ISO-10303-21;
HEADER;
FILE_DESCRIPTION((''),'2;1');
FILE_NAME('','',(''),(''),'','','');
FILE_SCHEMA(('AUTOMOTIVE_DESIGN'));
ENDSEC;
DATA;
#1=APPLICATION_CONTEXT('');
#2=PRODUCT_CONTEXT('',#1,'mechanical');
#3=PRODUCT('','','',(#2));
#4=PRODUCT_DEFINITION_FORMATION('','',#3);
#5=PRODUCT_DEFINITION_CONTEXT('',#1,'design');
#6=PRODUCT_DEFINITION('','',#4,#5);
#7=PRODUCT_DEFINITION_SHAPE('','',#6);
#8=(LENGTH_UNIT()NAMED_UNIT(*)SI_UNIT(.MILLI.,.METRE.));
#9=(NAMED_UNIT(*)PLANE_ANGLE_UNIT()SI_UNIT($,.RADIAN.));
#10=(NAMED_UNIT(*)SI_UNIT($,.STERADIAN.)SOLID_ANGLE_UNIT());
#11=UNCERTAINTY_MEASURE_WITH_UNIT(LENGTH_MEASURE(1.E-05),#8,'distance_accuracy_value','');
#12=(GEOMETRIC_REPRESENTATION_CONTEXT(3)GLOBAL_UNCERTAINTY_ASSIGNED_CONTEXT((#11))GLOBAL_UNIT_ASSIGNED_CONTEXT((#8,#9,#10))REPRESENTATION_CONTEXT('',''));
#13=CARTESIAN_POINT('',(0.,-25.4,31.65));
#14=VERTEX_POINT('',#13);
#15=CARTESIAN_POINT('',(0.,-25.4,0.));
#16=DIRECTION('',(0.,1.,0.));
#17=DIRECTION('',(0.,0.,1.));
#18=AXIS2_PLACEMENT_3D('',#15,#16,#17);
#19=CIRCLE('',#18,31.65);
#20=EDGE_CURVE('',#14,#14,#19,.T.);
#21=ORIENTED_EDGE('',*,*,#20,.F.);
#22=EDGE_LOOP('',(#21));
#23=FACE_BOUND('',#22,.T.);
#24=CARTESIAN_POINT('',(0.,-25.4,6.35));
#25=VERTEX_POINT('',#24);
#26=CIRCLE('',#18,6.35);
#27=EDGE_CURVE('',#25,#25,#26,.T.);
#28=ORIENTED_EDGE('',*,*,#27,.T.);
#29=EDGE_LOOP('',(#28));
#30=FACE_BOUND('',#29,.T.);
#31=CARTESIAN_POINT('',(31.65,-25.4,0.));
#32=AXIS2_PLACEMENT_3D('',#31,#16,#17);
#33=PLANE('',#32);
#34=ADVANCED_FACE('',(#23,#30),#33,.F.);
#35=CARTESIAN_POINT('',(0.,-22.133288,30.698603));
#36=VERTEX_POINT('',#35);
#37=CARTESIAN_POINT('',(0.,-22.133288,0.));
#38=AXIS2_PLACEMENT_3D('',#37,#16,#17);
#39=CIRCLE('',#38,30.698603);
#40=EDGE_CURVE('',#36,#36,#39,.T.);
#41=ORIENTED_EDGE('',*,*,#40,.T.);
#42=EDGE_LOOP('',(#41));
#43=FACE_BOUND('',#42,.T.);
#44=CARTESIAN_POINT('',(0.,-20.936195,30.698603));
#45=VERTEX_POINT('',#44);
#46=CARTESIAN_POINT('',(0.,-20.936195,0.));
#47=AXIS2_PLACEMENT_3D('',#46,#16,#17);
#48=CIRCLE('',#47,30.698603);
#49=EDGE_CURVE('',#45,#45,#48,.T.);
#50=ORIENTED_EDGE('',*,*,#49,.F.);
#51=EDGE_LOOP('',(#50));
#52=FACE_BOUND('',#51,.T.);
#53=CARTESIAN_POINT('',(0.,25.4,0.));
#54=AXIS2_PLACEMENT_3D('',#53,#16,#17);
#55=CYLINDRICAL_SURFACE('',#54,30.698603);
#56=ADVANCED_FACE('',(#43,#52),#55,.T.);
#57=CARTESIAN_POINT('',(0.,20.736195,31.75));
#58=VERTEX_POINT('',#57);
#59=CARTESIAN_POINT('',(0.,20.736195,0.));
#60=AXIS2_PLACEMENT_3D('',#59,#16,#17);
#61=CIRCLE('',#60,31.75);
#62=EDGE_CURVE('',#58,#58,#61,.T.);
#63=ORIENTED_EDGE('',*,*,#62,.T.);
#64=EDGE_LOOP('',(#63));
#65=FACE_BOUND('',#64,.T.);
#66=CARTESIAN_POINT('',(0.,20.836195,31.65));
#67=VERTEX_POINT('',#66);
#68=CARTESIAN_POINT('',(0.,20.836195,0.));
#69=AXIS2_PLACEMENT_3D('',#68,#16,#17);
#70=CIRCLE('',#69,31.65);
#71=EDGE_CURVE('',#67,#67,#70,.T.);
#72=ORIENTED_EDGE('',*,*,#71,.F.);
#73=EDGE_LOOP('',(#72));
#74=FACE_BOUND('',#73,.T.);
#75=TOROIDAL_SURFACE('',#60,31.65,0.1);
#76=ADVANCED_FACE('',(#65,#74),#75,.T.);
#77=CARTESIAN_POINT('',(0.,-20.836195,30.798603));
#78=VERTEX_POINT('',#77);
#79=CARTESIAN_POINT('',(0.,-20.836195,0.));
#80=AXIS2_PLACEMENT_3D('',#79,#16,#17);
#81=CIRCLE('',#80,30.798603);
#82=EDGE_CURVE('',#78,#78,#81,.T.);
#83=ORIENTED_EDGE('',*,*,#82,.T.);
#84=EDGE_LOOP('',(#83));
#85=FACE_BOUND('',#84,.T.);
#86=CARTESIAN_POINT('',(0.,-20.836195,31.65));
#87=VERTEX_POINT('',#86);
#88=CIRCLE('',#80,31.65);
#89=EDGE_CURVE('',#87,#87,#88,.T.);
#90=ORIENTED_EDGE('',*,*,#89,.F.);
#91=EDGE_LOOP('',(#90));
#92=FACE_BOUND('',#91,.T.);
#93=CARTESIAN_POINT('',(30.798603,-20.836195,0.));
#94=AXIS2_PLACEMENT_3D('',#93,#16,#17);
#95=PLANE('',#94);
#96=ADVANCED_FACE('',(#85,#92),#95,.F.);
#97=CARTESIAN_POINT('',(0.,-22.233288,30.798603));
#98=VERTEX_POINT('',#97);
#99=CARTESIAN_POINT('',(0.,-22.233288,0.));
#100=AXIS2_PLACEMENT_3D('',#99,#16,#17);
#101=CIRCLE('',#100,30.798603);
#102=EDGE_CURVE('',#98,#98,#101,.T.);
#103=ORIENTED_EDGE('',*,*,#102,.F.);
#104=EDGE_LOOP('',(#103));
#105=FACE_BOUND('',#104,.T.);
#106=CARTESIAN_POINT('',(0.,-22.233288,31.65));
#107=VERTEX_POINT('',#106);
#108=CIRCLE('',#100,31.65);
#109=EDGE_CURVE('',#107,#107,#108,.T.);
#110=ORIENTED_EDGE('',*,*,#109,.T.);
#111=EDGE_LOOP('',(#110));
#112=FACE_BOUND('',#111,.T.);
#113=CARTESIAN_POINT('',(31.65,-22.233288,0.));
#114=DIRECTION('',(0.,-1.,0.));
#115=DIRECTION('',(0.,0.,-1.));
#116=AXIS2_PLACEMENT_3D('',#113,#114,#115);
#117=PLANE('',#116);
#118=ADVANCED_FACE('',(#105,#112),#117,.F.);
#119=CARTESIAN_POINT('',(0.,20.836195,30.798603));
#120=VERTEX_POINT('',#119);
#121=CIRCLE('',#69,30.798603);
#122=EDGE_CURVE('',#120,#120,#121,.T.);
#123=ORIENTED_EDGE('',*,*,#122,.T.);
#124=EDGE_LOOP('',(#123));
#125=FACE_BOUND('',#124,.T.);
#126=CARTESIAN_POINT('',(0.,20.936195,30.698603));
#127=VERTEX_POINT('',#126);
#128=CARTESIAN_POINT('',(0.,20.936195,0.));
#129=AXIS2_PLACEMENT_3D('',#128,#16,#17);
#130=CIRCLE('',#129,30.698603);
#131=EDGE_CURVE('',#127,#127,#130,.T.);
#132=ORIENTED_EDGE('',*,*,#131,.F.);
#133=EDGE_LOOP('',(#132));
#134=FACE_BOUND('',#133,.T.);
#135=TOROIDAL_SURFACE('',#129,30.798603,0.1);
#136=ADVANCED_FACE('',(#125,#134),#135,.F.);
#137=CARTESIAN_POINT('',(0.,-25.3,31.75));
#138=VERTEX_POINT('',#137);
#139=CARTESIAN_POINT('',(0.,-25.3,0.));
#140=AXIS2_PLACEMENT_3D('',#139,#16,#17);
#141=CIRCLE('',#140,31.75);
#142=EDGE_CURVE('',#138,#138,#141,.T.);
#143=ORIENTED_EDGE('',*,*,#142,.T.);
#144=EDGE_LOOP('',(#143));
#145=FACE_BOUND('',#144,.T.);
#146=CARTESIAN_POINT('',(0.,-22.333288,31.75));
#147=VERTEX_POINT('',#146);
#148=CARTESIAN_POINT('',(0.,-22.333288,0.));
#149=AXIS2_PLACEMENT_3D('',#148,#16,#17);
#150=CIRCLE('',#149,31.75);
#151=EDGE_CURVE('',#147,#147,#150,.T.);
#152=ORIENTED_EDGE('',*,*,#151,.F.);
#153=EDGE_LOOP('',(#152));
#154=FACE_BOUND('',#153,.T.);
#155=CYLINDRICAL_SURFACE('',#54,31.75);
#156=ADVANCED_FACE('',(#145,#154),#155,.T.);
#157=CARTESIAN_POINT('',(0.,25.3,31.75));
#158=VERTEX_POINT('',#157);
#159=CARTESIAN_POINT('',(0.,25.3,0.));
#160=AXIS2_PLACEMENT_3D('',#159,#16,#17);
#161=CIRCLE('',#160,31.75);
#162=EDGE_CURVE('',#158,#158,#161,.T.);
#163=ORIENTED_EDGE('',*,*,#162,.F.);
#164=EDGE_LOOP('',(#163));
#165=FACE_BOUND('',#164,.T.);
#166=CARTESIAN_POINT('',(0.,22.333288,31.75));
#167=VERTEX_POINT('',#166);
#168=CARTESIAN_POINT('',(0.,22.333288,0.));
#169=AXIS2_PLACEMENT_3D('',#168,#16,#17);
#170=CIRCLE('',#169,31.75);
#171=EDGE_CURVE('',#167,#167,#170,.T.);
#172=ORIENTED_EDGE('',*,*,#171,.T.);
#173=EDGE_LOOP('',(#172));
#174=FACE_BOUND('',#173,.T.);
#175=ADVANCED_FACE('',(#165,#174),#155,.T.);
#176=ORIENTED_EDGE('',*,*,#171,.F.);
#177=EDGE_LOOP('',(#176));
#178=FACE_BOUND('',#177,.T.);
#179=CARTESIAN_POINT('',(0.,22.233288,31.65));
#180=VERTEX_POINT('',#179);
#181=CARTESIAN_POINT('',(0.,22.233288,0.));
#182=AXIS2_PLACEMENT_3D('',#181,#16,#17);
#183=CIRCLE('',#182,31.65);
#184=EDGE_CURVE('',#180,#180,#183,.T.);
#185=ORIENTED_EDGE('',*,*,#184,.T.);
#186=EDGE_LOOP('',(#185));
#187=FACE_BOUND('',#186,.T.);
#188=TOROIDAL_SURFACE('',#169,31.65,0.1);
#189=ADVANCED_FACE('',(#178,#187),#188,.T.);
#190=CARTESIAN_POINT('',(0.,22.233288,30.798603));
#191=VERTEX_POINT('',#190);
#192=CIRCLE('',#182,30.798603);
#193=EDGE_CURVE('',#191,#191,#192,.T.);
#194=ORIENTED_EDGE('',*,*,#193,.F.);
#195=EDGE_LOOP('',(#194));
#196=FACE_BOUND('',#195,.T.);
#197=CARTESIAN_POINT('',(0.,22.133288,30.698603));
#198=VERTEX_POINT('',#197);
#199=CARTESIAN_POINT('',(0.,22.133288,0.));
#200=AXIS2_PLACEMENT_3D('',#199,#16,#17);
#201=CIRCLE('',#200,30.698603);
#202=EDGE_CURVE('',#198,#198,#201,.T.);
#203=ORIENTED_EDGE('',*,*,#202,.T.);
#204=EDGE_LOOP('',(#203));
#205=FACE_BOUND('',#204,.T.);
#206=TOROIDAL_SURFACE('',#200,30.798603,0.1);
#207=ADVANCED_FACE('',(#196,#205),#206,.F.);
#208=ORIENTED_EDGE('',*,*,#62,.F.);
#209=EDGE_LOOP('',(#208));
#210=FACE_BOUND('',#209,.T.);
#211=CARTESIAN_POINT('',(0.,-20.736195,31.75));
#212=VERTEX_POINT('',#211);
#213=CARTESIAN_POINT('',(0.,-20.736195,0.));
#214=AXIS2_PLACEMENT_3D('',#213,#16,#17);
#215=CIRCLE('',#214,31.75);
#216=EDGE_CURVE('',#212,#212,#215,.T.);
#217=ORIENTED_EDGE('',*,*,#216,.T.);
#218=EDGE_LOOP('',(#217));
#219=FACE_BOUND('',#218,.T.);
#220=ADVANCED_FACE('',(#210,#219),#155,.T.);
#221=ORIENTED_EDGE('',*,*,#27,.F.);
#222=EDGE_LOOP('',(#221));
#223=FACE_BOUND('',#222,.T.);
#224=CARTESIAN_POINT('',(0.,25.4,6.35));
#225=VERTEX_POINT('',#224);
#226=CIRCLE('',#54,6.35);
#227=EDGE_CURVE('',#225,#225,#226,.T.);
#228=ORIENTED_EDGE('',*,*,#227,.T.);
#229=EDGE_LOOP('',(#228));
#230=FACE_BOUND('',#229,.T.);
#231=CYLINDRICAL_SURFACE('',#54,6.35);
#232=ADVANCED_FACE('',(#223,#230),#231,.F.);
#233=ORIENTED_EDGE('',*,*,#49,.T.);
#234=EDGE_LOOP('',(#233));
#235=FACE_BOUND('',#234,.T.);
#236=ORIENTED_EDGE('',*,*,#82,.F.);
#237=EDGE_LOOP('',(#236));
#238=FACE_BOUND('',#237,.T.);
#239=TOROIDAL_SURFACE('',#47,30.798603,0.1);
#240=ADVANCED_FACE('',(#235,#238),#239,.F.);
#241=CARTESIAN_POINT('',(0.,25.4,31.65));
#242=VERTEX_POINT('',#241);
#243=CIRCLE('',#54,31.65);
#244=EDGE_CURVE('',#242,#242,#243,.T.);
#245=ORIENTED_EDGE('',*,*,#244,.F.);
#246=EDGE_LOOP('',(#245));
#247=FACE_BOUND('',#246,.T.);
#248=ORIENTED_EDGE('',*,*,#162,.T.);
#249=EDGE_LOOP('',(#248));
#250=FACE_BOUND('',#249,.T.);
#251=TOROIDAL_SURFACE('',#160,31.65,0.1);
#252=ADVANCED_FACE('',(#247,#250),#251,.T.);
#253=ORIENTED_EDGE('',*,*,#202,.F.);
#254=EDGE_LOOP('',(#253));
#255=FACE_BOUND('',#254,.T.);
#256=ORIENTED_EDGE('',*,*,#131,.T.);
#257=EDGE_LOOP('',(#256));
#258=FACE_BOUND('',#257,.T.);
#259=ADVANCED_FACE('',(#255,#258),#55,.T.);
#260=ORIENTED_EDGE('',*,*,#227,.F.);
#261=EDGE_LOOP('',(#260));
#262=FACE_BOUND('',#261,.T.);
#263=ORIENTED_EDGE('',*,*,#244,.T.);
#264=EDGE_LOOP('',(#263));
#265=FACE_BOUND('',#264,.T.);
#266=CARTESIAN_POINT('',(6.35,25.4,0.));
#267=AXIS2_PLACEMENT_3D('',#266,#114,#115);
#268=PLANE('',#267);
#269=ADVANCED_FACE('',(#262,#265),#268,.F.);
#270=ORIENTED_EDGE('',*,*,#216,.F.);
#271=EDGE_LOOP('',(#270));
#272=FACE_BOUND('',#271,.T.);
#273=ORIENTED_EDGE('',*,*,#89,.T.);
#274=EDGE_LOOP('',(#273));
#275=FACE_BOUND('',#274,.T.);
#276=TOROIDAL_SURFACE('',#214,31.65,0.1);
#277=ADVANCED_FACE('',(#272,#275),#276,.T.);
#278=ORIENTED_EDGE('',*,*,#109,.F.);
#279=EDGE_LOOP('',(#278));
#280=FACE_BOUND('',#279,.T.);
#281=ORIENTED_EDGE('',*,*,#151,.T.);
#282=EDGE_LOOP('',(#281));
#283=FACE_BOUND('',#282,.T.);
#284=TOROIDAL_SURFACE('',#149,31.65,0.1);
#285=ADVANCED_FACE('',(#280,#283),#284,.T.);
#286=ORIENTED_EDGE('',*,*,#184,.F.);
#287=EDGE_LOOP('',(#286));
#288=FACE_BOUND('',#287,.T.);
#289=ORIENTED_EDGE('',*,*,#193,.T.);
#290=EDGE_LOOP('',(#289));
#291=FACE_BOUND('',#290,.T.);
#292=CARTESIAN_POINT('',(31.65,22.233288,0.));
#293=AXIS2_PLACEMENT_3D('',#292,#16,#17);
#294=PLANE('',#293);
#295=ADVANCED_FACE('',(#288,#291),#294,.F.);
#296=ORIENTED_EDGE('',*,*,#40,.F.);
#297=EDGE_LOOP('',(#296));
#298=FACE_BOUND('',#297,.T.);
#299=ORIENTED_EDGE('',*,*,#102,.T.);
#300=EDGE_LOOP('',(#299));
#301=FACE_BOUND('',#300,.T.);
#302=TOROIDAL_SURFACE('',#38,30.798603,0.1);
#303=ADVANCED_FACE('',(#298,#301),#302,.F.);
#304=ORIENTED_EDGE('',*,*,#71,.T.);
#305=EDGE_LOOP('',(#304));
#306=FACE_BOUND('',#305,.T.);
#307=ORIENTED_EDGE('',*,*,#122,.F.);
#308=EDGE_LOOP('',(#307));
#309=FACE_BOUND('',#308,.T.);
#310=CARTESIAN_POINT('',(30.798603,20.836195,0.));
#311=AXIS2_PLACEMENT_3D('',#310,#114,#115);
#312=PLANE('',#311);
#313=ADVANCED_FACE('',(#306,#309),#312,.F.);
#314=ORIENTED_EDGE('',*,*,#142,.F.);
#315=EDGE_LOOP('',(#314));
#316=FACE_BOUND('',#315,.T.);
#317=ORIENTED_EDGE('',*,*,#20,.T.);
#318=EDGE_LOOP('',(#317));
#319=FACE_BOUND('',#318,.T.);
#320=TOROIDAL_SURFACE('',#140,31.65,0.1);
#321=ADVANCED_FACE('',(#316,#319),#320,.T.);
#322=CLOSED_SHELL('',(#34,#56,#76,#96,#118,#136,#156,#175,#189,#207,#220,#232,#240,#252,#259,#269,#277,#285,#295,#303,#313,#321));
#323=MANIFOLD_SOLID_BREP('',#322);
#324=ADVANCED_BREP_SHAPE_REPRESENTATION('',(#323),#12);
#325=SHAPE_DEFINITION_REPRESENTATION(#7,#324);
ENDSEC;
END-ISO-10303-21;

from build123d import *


with BuildPart() as part:
    # Croquis1 → Revolución1 (revolve)
    with BuildSketch(Plane.XY, mode=Mode.PRIVATE) as revoluci_n1_sk:
        with BuildLine():
            Line((6.35, 25.4), (6.35, -25.4))
            Line((6.35, -25.4), (31.65, -25.4))
            ThreePointArc((31.65, -25.4), (31.720710678, -25.370710678), (31.75, -25.3))
            Line((31.75, -25.3), (31.75, -22.33328768))
            ThreePointArc((31.75, -22.33328768), (31.720710678, -22.262577002), (31.65, -22.23328768))
            Line((31.65, -22.23328768), (30.798602544, -22.23328768))
            ThreePointArc((30.798602544, -22.23328768), (30.727891866, -22.203998358), (30.698602544, -22.13328768))
            Line((30.698602544, -22.13328768), (30.698602544, -20.936194686))
            ThreePointArc((30.698602544, -20.936194686), (30.727891866, -20.865484007), (30.798602544, -20.836194686))
            Line((30.798602544, -20.836194686), (31.65, -20.836194686))
            ThreePointArc((31.65, -20.836194686), (31.720710678, -20.806905364), (31.75, -20.736194686))
            Line((31.75, -20.736194686), (31.75, 20.736194686))
            ThreePointArc((31.75, 20.736194686), (31.720710678, 20.806905364), (31.65, 20.836194686))
            Line((31.65, 20.836194686), (30.798602544, 20.836194686))
            ThreePointArc((30.798602544, 20.836194686), (30.727891866, 20.865484007), (30.698602544, 20.936194686))
            Line((30.698602544, 20.936194686), (30.698602544, 22.13328768))
            ThreePointArc((30.698602544, 22.13328768), (30.727891866, 22.203998358), (30.798602544, 22.23328768))
            Line((30.798602544, 22.23328768), (31.65, 22.23328768))
            ThreePointArc((31.65, 22.23328768), (31.720710678, 22.262577002), (31.75, 22.33328768))
            Line((31.75, 22.33328768), (31.75, 25.3))
            ThreePointArc((31.75, 25.3), (31.720710678, 25.370710678), (31.65, 25.4))
            Line((31.65, 25.4), (6.35, 25.4))
        make_face()
    revolve(revoluci_n1_sk.sketch.rotate(Axis((0, 25.4, 0), (0, -1, 0)), 90), axis=Axis((0, 25.4, 0), (0, -1, 0)))


solid = part.part
